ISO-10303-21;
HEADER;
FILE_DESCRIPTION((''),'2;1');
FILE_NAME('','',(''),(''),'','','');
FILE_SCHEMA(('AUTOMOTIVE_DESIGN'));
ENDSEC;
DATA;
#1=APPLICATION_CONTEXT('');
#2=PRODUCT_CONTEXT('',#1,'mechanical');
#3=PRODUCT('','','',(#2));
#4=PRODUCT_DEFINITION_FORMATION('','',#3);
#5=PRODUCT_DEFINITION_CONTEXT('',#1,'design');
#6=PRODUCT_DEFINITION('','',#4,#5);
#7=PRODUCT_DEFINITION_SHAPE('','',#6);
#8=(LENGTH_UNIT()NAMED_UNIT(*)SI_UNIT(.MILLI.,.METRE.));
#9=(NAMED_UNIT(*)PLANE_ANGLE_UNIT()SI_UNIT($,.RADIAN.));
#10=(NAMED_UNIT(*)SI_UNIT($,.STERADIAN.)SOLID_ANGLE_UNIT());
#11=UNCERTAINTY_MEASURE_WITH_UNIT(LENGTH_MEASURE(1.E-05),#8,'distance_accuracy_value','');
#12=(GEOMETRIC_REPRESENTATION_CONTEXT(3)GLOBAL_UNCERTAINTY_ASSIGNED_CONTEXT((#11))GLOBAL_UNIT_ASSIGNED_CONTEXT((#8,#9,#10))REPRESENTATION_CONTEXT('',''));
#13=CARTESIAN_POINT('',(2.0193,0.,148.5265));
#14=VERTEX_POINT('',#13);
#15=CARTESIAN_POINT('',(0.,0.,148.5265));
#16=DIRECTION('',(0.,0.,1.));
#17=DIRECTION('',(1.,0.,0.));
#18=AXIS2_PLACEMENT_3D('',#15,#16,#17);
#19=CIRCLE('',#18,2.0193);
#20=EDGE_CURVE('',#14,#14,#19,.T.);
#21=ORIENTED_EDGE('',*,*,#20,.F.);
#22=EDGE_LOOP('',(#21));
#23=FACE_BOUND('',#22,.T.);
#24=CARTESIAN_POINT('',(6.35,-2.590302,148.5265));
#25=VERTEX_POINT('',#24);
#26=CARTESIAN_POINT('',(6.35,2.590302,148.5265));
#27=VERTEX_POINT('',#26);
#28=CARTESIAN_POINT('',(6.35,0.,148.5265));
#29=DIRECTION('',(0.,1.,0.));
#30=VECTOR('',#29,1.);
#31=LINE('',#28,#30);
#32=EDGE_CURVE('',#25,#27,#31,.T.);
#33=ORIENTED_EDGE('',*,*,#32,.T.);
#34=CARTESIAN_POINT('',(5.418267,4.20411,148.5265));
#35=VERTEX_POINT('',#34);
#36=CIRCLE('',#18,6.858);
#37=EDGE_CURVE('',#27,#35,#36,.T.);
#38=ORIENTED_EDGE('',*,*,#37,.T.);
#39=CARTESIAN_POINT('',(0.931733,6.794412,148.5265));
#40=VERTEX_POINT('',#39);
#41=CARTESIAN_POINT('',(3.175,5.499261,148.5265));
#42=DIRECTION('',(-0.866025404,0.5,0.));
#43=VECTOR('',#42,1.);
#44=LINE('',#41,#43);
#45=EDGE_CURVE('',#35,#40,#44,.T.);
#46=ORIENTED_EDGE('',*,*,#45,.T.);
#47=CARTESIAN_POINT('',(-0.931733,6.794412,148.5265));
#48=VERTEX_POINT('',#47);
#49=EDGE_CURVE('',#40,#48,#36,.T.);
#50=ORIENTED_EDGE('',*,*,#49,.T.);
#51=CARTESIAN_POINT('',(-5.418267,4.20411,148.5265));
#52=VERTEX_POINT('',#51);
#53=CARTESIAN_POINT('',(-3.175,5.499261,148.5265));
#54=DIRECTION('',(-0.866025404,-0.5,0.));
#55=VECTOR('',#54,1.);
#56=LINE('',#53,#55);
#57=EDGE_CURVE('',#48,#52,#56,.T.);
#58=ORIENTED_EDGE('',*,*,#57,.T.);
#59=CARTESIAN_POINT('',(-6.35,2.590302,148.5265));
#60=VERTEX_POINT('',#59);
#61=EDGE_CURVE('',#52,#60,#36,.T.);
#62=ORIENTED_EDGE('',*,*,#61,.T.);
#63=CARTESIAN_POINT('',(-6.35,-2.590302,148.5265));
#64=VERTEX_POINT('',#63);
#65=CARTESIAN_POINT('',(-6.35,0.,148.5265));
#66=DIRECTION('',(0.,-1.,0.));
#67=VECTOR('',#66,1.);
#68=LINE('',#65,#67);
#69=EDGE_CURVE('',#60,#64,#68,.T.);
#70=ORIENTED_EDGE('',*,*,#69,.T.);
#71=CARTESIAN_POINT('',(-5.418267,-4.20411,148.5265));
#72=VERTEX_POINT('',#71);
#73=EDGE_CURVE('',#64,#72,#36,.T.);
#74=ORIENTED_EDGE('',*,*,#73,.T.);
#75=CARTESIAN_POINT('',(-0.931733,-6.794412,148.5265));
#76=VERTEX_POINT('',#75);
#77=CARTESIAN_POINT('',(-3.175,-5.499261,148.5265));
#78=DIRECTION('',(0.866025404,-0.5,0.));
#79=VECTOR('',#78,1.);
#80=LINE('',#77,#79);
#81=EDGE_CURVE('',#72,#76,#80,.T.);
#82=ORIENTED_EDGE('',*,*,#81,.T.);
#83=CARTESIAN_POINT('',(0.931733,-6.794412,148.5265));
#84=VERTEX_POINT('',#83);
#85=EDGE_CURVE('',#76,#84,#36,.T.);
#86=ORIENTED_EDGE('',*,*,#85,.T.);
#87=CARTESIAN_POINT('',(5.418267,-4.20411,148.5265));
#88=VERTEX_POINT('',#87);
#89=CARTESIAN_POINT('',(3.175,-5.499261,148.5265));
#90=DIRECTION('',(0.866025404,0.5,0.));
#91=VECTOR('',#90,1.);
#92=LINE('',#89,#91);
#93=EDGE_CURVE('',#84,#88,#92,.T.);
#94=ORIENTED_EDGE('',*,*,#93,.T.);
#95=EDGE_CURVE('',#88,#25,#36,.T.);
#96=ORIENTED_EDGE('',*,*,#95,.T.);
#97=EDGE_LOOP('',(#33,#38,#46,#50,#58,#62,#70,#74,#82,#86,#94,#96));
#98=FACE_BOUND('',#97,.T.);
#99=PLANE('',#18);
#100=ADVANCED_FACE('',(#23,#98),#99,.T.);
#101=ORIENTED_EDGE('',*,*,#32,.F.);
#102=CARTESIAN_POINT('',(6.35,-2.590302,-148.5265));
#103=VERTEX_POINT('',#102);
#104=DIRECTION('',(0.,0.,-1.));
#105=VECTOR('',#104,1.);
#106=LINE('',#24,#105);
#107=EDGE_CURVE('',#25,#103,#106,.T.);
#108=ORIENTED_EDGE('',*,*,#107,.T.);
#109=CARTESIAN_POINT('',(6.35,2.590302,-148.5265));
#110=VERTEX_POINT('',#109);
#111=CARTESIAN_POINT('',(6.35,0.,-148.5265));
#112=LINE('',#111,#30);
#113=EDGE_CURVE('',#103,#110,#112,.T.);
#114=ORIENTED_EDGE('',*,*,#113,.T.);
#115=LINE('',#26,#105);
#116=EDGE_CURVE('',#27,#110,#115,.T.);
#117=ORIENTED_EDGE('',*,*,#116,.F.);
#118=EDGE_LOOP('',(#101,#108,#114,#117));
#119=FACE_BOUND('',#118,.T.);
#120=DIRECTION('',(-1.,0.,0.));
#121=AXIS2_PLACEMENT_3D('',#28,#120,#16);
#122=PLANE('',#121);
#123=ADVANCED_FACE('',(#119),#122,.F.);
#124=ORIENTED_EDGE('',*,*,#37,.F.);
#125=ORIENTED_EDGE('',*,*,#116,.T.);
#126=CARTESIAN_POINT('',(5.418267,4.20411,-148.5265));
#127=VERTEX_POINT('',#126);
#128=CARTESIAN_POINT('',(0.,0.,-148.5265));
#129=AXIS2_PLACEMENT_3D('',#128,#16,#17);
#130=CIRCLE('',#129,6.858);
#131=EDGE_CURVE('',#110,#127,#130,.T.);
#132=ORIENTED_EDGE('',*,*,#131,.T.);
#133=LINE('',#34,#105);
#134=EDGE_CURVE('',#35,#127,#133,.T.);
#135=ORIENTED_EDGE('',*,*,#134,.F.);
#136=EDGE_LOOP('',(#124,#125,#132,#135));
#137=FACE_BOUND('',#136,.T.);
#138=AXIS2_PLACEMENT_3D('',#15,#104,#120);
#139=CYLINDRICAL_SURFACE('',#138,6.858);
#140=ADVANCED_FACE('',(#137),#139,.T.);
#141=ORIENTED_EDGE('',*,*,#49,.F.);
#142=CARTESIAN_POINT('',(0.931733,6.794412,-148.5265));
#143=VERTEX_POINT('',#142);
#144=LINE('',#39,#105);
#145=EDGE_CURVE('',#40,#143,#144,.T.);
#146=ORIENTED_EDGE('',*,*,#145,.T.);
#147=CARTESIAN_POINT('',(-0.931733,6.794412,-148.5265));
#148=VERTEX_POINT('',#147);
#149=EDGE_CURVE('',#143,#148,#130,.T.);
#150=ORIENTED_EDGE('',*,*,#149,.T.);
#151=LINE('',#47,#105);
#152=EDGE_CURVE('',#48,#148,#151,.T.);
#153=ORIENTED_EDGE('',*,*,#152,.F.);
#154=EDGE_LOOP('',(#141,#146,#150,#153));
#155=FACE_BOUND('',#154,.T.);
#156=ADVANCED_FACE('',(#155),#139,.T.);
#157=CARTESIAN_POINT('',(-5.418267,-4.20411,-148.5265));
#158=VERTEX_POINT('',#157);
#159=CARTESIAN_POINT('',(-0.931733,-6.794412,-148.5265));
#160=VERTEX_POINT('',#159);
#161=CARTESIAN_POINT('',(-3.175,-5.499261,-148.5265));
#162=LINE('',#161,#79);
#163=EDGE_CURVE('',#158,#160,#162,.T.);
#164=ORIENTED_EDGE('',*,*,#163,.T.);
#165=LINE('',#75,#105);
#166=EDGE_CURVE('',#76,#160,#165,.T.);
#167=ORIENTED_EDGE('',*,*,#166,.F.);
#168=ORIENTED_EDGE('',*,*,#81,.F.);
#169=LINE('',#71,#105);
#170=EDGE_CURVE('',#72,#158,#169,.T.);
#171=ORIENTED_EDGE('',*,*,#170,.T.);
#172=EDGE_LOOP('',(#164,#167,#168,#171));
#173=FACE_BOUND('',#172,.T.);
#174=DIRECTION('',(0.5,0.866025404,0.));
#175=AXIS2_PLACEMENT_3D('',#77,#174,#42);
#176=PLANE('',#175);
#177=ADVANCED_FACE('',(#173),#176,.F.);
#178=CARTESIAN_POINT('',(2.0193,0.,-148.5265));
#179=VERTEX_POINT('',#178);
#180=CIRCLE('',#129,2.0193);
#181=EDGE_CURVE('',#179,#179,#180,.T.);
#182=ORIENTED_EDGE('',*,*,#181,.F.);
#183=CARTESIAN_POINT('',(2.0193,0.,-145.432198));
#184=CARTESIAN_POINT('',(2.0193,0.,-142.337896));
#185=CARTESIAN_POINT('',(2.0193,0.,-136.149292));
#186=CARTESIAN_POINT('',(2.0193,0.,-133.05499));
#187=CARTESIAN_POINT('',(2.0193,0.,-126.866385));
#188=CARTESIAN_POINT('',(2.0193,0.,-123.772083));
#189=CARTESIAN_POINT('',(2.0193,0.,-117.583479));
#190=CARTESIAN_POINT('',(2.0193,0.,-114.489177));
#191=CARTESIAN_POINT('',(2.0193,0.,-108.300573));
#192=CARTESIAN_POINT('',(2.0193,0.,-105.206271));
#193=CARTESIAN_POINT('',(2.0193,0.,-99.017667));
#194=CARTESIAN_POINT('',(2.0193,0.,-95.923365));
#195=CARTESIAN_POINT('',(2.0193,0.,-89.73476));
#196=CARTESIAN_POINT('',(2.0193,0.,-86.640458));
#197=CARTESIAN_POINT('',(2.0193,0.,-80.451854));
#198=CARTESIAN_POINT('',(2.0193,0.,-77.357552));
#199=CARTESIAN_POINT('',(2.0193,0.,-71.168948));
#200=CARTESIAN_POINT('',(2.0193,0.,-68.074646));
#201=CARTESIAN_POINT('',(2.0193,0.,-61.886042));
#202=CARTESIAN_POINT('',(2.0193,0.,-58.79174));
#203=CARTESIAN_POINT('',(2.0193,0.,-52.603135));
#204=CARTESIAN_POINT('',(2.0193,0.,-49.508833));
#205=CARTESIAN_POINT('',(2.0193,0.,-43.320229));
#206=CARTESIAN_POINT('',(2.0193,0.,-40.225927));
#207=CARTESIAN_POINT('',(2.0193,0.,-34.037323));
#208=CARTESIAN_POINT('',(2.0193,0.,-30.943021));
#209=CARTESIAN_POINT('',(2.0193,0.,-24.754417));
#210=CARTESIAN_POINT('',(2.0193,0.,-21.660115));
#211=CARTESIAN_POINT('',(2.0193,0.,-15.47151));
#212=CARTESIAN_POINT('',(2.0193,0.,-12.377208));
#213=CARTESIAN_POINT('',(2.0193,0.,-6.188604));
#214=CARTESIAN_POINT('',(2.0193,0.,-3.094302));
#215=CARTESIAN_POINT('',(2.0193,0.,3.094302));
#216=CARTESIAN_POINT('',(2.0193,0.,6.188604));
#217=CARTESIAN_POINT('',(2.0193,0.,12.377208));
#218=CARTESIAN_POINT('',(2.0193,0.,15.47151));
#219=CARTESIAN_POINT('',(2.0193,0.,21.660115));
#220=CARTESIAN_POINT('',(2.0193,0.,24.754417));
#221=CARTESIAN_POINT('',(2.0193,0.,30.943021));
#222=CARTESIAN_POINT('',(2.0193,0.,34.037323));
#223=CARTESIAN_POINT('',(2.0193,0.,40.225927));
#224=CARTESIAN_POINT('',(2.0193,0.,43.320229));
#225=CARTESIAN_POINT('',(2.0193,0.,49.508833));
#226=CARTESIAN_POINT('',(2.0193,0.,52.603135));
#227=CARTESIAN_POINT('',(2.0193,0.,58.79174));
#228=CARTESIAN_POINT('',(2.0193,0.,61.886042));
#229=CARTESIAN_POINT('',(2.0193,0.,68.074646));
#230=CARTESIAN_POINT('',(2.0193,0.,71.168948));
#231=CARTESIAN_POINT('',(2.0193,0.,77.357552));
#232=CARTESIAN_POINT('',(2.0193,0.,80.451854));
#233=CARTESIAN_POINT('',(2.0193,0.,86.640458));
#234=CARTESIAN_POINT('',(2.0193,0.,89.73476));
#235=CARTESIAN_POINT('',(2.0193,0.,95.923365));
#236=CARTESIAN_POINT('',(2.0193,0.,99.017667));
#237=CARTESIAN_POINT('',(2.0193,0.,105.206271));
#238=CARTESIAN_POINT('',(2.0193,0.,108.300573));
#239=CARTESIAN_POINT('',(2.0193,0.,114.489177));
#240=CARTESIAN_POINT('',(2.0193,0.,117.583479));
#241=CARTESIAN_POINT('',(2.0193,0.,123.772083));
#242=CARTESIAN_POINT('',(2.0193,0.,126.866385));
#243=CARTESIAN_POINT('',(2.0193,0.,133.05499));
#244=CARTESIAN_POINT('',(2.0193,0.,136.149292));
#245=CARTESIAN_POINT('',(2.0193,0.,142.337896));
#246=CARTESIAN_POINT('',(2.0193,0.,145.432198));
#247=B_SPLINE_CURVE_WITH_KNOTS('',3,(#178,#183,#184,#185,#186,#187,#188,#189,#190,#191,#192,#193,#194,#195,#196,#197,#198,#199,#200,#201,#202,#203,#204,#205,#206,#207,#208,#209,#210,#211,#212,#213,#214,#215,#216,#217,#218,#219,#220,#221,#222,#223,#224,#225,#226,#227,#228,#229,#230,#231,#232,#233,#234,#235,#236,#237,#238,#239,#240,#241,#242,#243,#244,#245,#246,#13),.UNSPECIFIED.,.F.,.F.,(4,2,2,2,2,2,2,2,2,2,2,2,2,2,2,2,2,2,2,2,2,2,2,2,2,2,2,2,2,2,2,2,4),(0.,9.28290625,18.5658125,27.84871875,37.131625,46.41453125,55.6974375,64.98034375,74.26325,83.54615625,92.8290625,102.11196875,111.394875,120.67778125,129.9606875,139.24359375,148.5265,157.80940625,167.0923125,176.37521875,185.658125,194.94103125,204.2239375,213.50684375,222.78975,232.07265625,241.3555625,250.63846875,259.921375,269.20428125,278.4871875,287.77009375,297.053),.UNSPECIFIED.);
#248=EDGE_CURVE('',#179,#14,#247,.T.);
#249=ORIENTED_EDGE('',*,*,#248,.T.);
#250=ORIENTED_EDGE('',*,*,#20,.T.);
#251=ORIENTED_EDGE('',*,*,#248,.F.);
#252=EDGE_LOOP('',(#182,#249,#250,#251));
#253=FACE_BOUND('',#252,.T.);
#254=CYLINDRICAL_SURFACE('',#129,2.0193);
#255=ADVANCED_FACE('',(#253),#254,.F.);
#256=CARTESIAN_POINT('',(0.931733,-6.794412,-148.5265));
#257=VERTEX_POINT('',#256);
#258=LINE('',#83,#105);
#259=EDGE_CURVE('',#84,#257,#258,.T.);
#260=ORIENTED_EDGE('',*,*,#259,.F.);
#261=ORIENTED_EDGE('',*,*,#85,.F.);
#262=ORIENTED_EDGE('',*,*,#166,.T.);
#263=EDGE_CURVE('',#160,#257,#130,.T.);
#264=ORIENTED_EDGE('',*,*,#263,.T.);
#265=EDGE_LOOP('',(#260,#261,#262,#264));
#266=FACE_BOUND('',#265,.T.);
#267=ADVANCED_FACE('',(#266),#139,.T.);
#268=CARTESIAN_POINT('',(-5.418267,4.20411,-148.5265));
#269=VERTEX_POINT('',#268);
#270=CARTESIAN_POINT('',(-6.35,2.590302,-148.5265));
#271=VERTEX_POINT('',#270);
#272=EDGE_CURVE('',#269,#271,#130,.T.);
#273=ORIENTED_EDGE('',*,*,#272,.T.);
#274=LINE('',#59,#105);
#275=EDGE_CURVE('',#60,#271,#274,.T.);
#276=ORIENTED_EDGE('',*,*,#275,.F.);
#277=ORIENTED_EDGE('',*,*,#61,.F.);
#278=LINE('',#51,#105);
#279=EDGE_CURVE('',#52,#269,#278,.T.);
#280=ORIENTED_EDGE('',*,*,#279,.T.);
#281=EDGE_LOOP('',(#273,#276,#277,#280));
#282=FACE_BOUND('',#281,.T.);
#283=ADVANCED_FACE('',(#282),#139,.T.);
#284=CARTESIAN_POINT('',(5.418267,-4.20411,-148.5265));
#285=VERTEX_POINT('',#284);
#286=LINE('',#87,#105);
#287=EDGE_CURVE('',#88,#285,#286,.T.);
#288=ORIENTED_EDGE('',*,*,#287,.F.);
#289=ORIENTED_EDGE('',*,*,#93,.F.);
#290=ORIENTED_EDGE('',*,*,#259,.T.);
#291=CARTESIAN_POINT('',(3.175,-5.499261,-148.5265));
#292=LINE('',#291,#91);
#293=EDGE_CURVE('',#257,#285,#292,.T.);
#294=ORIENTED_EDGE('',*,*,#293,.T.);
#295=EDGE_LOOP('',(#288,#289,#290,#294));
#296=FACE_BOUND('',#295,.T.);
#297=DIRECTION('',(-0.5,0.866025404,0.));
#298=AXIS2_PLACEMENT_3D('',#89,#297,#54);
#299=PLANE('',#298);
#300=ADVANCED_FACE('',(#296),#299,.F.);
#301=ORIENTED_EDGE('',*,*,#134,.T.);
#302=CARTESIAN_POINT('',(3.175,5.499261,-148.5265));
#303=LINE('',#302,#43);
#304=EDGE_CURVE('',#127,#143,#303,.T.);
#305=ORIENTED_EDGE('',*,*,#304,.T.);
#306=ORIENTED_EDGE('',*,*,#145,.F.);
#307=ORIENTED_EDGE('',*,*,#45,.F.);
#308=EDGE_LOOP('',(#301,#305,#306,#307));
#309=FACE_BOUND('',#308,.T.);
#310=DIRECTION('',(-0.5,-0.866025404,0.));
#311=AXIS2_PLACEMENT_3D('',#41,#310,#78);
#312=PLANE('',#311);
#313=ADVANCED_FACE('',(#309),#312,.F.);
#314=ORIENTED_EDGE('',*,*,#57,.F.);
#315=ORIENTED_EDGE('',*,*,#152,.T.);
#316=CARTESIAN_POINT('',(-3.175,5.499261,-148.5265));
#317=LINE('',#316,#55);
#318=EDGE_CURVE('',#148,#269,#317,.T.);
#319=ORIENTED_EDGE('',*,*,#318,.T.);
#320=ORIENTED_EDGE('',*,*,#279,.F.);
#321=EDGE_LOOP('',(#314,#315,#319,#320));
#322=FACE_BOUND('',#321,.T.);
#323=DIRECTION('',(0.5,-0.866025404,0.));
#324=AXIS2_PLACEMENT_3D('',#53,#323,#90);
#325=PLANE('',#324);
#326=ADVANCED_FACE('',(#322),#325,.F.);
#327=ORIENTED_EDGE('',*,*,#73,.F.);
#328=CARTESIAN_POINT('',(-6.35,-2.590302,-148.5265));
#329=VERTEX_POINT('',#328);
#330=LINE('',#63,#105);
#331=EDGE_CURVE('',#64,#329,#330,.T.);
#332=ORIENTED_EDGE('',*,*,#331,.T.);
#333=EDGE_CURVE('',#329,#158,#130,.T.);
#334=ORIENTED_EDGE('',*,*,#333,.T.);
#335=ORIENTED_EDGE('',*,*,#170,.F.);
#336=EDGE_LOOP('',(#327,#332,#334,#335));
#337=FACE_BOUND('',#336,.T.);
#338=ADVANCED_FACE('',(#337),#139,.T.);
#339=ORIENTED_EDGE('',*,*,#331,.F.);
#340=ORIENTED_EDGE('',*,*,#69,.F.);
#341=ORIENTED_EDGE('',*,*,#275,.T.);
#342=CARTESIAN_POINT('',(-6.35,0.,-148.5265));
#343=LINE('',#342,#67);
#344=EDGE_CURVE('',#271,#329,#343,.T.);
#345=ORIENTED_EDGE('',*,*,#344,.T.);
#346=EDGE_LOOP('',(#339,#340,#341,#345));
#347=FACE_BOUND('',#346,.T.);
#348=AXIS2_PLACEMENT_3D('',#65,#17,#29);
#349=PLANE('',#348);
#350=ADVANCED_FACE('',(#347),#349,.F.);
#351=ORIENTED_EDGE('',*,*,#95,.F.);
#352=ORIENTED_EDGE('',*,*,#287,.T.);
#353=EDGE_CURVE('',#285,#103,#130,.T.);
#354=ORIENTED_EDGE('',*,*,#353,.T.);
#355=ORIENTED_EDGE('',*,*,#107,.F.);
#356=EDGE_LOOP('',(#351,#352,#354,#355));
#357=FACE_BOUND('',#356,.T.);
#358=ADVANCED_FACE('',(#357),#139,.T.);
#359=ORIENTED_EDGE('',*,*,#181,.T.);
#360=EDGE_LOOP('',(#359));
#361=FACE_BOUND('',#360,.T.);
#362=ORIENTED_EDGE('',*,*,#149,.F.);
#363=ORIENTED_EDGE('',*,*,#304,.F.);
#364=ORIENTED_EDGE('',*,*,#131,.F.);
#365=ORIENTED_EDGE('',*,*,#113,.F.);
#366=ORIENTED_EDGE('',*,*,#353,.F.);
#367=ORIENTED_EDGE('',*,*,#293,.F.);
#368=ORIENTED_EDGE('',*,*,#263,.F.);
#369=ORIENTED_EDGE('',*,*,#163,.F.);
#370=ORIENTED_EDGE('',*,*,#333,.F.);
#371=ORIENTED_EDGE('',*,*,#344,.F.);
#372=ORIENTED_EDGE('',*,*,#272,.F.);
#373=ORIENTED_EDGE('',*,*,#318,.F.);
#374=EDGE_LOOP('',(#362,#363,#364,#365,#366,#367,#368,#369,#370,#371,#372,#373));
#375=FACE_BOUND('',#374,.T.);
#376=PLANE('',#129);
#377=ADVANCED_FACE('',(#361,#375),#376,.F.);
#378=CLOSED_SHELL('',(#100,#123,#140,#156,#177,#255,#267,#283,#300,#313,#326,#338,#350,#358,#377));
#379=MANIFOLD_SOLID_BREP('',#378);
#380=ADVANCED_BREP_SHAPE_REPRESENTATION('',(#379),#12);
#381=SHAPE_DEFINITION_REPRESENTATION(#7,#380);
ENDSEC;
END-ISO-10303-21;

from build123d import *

# Parameters (mm, degrees)
BOSS_EXTRUDE1_DEPTH = 148.5265
SKETCH2_R           = 2.0193
CUT_EXTRUDE1_DEPTH  = 298.199999113


with BuildPart() as part:
    # Sketch1 → Boss-Extrude1 (new, symmetric)
    with BuildSketch(Plane.XY):
        with BuildLine():
            ThreePointArc((0.93173274, 6.79441227), (0, 6.858), (-0.93173274, 6.79441227))
            Line((-0.93173274, 6.79441227), (-5.41826726, 4.204110358))
            ThreePointArc((-5.41826726, 4.204110358), (-5.939202219, 3.429), (-6.35, 2.590301913))
            Line((-6.35, 2.590301913), (-6.35, -2.590301913))
            ThreePointArc((-6.35, -2.590301913), (-5.939202219, -3.429), (-5.41826726, -4.204110358))
            Line((-5.41826726, -4.204110358), (-0.93173274, -6.79441227))
            ThreePointArc((-0.93173274, -6.79441227), (0, -6.858), (0.93173274, -6.79441227))
            Line((0.93173274, -6.79441227), (5.41826726, -4.204110358))
            ThreePointArc((5.41826726, -4.204110358), (5.939202219, -3.429), (6.35, -2.590301913))
            Line((6.35, -2.590301913), (6.35, 2.590301913))
            ThreePointArc((6.35, 2.590301913), (5.939202219, 3.429), (5.41826726, 4.204110358))
            Line((5.41826726, 4.204110358), (0.93173274, 6.79441227))
        make_face()
    extrude(amount=BOSS_EXTRUDE1_DEPTH, both=True)

    # Sketch2 → Cut-Extrude1 (cut, through all)
    with BuildSketch(Plane.XY.offset(148.5265)):
        Circle(SKETCH2_R)
    extrude(amount=-CUT_EXTRUDE1_DEPTH, mode=Mode.SUBTRACT)


solid = part.part
